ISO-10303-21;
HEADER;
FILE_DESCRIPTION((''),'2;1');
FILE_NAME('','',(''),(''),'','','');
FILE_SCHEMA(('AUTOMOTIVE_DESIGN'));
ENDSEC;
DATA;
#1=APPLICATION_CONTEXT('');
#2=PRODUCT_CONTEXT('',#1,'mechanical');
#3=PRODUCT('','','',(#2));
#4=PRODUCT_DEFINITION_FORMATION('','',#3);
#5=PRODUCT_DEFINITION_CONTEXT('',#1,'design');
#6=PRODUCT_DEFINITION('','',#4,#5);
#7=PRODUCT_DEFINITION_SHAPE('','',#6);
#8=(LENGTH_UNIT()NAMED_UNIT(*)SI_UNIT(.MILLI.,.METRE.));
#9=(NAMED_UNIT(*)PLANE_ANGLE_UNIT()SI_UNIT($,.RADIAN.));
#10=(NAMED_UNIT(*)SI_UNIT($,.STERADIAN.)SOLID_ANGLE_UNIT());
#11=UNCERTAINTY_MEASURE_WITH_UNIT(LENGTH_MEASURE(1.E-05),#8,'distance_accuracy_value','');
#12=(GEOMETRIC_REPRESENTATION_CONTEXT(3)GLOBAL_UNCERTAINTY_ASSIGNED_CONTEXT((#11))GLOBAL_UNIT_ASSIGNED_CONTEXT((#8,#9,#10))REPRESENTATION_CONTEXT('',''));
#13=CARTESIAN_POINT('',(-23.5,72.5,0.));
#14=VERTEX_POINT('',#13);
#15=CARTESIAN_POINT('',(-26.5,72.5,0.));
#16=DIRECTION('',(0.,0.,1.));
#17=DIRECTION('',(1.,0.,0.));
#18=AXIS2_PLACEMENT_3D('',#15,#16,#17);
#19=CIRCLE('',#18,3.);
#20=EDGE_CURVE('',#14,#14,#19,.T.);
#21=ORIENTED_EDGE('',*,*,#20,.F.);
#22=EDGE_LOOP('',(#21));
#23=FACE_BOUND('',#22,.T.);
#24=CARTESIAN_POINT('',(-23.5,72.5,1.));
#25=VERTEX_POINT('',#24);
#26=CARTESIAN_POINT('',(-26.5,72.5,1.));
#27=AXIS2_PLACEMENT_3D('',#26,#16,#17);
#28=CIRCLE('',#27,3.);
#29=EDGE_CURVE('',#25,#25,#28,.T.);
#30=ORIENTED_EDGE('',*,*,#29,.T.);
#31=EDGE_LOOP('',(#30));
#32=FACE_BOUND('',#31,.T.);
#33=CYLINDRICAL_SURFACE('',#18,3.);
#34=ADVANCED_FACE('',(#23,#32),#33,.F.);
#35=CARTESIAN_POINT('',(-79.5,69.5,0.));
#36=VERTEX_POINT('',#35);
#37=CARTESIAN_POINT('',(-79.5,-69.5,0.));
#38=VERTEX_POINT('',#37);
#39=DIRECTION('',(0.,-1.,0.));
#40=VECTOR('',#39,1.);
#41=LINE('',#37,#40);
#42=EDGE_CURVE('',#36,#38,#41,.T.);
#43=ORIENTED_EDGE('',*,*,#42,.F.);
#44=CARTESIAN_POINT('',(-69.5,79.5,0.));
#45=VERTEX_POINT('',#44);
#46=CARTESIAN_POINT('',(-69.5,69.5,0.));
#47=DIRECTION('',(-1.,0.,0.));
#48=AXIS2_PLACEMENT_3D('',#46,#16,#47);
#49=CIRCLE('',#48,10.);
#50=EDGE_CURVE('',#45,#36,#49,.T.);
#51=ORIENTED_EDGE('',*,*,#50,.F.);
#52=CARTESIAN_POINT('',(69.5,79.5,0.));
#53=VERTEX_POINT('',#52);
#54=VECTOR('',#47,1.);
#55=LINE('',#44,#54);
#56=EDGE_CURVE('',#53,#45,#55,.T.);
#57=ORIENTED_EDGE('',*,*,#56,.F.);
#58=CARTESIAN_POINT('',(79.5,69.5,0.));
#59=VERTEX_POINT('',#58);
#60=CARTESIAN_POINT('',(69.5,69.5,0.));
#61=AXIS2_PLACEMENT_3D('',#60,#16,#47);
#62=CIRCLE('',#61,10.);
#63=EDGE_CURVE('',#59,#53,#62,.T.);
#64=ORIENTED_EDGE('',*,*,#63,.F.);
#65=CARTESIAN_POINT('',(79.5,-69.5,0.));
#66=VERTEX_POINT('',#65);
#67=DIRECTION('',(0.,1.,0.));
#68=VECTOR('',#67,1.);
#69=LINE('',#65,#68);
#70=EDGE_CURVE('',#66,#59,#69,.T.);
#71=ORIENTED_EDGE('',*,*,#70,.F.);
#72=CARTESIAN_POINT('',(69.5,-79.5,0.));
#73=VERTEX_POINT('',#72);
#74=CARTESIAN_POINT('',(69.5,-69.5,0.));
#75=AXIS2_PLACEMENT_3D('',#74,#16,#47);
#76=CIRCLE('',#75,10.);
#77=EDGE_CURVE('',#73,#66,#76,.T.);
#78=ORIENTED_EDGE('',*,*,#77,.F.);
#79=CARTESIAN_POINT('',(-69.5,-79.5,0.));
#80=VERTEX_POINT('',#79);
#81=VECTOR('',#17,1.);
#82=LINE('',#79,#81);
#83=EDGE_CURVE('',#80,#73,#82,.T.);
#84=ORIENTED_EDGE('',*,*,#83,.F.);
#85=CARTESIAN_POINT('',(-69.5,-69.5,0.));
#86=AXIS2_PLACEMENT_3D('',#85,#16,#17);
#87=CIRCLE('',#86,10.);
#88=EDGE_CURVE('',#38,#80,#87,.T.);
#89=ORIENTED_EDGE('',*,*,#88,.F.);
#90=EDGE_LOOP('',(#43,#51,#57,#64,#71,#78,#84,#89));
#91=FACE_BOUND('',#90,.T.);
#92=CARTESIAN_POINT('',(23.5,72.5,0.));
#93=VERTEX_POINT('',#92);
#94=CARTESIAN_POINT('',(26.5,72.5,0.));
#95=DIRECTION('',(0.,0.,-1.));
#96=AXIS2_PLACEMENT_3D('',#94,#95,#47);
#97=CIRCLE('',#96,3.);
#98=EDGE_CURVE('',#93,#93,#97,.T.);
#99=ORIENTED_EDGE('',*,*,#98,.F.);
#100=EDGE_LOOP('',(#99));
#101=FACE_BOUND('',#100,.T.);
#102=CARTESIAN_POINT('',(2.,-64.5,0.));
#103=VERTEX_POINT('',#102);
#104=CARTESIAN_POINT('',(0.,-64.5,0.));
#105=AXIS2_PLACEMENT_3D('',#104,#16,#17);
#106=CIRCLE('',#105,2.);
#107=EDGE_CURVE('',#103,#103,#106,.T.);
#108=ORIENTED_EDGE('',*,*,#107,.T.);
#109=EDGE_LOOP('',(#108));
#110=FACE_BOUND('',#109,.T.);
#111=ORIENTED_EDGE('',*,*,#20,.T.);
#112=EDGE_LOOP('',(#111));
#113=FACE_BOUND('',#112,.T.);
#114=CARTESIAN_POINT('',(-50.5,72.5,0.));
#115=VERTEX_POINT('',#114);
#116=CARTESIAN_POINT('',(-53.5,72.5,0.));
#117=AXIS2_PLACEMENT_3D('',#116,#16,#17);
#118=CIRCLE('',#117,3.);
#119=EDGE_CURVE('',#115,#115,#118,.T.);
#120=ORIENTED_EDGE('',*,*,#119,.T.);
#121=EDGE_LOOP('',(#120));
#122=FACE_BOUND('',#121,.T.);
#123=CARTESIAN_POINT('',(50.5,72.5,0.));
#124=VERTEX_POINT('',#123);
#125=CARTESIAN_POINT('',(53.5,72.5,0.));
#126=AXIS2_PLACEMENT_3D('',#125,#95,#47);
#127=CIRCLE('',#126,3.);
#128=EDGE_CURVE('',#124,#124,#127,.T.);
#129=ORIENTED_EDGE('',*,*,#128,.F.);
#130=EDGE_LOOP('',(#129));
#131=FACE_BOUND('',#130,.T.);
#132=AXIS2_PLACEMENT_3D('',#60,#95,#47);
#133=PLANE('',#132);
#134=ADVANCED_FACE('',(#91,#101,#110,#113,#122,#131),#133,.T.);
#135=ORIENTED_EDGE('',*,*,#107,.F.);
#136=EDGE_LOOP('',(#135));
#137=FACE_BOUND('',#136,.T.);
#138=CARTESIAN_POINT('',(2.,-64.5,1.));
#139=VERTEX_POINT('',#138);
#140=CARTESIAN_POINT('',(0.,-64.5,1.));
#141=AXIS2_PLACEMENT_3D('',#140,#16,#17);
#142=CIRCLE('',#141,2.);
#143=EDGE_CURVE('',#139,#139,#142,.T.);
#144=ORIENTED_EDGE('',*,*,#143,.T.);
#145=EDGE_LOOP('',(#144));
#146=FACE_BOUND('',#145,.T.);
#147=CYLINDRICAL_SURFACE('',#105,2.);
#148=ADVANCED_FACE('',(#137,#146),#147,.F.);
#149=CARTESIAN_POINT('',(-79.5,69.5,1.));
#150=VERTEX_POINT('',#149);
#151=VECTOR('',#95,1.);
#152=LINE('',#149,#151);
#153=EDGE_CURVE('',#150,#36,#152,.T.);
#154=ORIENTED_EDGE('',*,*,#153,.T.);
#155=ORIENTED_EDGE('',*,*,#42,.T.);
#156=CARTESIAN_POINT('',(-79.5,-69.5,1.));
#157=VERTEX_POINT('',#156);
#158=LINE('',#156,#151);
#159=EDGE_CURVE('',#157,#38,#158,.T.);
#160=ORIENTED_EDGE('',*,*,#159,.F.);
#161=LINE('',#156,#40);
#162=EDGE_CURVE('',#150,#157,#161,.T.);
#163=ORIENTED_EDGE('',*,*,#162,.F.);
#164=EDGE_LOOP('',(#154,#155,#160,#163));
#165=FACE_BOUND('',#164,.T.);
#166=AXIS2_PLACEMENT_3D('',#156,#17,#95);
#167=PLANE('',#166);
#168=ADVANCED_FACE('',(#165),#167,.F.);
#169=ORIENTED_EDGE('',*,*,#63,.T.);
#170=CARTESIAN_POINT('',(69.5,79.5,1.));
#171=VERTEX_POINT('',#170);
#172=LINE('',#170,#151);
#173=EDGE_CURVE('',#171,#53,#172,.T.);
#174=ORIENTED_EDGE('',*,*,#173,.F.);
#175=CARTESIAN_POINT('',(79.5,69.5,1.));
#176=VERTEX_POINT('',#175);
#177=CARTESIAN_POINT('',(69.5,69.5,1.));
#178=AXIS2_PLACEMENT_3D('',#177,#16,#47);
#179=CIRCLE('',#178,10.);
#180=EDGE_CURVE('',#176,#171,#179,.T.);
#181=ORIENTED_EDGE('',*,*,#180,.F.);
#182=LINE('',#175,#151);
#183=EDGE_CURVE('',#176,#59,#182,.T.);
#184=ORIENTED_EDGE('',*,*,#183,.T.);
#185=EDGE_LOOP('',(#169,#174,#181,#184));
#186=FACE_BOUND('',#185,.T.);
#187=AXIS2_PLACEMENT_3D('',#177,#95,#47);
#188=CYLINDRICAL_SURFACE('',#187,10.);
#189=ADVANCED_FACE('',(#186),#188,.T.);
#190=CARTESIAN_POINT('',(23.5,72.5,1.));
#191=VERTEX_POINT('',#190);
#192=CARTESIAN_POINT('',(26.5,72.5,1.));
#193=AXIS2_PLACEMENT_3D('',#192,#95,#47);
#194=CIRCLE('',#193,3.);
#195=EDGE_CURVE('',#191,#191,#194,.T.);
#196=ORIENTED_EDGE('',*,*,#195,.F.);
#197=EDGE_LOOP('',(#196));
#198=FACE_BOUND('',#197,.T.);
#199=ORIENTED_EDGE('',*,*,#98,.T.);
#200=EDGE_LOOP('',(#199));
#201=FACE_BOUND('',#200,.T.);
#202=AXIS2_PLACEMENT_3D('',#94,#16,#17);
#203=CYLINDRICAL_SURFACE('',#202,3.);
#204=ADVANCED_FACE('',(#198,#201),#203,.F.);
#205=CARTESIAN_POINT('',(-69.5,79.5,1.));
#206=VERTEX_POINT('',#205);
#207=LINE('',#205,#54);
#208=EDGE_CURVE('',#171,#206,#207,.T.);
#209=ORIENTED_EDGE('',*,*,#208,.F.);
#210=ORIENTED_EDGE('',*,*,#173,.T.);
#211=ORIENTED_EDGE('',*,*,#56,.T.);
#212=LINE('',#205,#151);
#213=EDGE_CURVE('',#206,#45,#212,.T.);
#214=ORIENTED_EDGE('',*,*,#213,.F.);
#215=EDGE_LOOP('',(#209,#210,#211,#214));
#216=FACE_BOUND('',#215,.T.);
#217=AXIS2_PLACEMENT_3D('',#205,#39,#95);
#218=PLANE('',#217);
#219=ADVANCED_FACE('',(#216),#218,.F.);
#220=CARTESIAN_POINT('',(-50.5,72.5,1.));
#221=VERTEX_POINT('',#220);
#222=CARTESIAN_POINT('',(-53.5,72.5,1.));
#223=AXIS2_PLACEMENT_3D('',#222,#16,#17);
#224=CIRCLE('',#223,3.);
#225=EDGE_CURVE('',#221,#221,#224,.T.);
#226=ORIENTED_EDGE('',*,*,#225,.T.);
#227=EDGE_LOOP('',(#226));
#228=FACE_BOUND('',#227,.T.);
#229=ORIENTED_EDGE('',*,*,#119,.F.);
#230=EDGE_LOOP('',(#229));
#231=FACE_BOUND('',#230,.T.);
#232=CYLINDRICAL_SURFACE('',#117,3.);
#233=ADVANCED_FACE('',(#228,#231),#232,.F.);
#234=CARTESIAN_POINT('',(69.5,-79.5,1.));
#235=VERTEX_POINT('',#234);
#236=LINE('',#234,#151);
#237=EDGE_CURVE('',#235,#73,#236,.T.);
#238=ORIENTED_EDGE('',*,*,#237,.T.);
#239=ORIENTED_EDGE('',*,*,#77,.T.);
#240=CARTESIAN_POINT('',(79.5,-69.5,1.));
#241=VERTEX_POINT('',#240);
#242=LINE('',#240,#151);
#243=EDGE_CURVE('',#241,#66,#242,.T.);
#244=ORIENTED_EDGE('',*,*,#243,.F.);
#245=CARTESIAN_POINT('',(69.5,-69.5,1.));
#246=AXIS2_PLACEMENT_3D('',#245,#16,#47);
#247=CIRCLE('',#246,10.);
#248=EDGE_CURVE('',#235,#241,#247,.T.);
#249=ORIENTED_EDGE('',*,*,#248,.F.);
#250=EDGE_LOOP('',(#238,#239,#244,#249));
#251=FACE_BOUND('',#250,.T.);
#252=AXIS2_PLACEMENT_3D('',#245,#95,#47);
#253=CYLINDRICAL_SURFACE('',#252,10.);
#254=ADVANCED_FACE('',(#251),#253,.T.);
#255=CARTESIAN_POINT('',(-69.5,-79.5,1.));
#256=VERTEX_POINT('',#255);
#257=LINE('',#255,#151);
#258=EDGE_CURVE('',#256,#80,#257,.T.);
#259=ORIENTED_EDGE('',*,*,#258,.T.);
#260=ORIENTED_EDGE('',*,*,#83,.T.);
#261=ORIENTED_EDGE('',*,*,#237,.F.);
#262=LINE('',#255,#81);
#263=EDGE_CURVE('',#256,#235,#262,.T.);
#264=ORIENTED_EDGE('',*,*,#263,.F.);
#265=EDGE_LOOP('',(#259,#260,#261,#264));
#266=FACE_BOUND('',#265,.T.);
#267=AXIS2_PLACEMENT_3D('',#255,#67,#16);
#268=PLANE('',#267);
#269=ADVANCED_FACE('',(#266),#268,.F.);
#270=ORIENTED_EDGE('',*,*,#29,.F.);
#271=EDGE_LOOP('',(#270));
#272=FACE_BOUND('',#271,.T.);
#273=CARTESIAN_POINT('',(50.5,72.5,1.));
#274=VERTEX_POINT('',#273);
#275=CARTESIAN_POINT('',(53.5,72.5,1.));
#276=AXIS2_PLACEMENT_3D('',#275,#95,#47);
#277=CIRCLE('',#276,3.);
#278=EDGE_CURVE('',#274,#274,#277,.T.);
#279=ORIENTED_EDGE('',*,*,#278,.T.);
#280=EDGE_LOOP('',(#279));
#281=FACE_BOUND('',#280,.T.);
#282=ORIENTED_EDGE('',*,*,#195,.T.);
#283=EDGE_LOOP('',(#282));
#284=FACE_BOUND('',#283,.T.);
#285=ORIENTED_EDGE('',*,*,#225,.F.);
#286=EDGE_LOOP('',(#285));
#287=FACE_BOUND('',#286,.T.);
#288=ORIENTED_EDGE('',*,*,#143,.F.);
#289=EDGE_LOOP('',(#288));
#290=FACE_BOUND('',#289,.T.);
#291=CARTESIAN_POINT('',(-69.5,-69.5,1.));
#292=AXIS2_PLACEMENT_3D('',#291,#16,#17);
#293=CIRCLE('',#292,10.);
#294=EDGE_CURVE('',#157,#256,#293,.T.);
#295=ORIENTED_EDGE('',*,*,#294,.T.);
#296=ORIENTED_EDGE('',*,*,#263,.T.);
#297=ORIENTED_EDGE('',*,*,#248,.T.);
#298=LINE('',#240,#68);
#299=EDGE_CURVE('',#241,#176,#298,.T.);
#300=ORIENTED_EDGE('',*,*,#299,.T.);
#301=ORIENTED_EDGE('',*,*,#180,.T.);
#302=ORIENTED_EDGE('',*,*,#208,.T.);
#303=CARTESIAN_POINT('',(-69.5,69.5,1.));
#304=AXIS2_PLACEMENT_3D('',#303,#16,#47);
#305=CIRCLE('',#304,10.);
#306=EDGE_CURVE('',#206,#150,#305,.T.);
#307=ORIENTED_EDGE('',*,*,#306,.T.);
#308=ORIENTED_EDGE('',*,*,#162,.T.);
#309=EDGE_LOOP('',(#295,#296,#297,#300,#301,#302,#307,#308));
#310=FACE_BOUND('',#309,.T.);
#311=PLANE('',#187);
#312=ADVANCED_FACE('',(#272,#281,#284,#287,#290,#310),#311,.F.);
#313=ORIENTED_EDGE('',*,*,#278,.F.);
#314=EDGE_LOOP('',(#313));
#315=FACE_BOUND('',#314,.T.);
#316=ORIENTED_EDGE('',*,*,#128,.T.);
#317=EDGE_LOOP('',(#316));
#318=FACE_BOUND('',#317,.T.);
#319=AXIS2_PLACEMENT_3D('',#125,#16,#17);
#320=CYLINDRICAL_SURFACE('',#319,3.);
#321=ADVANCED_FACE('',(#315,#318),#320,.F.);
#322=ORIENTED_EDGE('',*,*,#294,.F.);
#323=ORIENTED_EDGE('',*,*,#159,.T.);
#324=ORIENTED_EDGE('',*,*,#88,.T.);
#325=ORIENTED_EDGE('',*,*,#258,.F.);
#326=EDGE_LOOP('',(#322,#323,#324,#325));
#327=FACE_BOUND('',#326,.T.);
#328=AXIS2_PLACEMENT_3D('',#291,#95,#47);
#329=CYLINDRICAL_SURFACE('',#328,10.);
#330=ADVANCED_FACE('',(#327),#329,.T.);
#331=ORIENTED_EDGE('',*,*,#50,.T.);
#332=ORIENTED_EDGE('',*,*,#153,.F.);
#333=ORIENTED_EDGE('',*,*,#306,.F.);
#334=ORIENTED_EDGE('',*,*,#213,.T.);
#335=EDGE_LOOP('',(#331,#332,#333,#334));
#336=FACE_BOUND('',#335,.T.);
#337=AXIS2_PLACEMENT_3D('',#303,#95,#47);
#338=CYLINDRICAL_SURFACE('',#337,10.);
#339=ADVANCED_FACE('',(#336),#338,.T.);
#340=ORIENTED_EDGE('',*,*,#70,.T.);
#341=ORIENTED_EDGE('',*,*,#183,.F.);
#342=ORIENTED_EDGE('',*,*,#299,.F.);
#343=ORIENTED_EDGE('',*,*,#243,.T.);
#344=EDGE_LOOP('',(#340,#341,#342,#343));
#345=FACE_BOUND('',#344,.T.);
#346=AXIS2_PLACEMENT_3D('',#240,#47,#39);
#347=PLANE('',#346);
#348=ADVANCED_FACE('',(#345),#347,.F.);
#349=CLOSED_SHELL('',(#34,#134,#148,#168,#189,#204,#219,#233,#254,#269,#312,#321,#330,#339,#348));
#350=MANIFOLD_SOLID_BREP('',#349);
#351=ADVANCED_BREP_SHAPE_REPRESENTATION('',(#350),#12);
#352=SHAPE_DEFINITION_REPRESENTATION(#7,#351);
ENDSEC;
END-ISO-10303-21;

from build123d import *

# Parameters (mm, degrees)
EXTRUDE_1_DEPTH     = 1
SKETCH_2_R          = 3
CUT_EXTRUDE_1_DEPTH = 1
SKETCH_3_R          = 2
CUT_EXTRUDE_2_DEPTH = 1


with BuildPart() as part:
    # 스케치1 → 보스-돌출1 (new body)
    with BuildSketch(Plane.XY):
        with BuildLine():
            Line((-69.5, -79.5), (69.5, -79.5))
            ThreePointArc((69.5, -79.5), (76.571067812, -76.571067812), (79.5, -69.5))
            Line((79.5, -69.5), (79.5, 69.5))
            ThreePointArc((79.5, 69.5), (76.571067812, 76.571067812), (69.5, 79.5))
            Line((69.5, 79.5), (-69.5, 79.5))
            ThreePointArc((-69.5, 79.5), (-76.571067812, 76.571067812), (-79.5, 69.5))
            Line((-79.5, 69.5), (-79.5, -69.5))
            ThreePointArc((-79.5, -69.5), (-76.571067812, -76.571067812), (-69.5, -79.5))
        make_face()
    extrude(amount=EXTRUDE_1_DEPTH)

    # 스케치2 → 컷-돌출1 (cut)
    with BuildSketch(Plane.XY.offset(1)):
        with Locations((-53.5, 72.5)):
            Circle(SKETCH_2_R)
        with Locations((-26.5, 72.5)):
            Circle(SKETCH_2_R)
        with Locations((26.5, 72.5)):
            Circle(SKETCH_2_R)
        with Locations((53.5, 72.5)):
            Circle(SKETCH_2_R)
    extrude(amount=-CUT_EXTRUDE_1_DEPTH, mode=Mode.SUBTRACT)

    # 스케치3 → 컷-돌출2 (cut)
    with BuildSketch(Plane.XY.offset(1)):
        with Locations((0, -64.5)):
            Circle(SKETCH_3_R)
    extrude(amount=-CUT_EXTRUDE_2_DEPTH, mode=Mode.SUBTRACT)


solid = part.part
